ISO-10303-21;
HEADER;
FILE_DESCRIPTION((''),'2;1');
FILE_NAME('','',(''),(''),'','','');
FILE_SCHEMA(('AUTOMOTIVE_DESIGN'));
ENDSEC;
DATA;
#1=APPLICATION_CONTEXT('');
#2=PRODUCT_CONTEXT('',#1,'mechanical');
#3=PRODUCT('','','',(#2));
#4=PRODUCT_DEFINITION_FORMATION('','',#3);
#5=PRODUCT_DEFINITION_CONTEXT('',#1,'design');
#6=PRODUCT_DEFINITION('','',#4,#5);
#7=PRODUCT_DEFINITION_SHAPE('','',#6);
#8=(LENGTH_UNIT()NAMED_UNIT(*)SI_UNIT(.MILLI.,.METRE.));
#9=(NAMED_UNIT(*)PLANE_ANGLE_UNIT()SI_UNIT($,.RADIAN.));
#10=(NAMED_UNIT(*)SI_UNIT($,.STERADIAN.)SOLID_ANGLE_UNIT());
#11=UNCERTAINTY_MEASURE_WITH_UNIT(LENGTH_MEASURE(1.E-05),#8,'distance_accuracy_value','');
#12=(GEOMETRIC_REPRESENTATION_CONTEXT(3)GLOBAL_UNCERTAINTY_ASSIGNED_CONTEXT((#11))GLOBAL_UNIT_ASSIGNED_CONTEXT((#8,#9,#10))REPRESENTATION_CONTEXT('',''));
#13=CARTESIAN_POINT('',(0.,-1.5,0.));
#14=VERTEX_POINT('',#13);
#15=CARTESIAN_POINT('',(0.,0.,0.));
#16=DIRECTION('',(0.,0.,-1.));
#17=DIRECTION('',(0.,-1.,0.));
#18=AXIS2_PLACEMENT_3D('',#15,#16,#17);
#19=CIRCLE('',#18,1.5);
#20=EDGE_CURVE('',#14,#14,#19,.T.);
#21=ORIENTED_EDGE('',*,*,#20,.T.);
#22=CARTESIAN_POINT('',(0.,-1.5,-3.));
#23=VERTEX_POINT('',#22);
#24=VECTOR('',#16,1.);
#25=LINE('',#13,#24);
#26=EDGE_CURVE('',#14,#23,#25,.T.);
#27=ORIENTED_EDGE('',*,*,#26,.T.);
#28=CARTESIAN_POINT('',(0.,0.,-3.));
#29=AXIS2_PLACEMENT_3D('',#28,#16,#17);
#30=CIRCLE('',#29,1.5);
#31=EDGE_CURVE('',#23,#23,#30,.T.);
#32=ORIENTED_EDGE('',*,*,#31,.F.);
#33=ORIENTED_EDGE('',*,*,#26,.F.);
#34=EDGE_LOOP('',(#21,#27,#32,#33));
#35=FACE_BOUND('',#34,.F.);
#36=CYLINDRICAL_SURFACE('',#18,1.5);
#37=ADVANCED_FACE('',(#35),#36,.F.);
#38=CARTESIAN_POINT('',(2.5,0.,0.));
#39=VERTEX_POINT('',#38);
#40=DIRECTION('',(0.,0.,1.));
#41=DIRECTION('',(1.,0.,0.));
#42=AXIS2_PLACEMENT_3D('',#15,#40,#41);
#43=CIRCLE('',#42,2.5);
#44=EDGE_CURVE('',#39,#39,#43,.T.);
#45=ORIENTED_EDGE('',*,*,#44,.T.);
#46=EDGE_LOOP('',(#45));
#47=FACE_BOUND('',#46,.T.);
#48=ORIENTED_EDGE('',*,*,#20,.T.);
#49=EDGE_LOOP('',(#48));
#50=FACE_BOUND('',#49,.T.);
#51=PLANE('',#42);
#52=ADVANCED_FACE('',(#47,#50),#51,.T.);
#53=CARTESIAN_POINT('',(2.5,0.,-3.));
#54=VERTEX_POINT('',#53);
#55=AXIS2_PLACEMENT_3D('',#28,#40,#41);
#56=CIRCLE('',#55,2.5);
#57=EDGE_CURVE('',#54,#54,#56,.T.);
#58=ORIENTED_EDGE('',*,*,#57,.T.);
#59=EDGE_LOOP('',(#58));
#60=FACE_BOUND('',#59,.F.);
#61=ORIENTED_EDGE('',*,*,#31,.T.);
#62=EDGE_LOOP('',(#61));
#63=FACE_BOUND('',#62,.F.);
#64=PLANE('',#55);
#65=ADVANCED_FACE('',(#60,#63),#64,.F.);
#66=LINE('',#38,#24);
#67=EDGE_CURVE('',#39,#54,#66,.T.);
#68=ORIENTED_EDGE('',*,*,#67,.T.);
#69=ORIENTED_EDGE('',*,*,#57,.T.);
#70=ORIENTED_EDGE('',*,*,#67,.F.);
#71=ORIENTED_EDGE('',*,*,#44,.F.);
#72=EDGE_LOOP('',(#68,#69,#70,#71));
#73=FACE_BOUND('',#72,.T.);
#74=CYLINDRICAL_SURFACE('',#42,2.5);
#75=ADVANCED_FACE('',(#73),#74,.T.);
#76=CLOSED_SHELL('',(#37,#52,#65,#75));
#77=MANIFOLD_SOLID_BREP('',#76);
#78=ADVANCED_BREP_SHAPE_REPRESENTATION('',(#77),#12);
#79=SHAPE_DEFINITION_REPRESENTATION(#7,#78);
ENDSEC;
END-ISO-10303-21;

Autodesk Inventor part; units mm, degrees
ref_plane "YZ Plane" through (0, 0, 0) normal (1, 0, 0) x (0, 1, 0)
ref_plane "XZ Plane" through (0, 0, 0) normal (0, 1, 0) x (-1, 0, 0)
ref_plane "XY Plane" through (0, 0, 0) normal (0, 0, 1) x (1, 0, 0)
sketch "Skizze1" plane through (0, 0, 0) normal (0, 0, 1) x (1, 0, 0)
  circle A0 centre (0, 0) radius 2.5
  dimension "d0" = 5
extrude "Extrusion1" add sketch "Skizze1" against normal blind 3
sketch "Skizze2" plane through (0, 0, 0) normal (0, 0, 1) x (1, 0, 0)
  circle A0 centre (0, 0) radius 2.5 projected
hole "Bohrung1" at (0, 0, 0) direction (0, 0, -1) diameter 3 end through all
properties part number "Distanzring" material "Gummi"
